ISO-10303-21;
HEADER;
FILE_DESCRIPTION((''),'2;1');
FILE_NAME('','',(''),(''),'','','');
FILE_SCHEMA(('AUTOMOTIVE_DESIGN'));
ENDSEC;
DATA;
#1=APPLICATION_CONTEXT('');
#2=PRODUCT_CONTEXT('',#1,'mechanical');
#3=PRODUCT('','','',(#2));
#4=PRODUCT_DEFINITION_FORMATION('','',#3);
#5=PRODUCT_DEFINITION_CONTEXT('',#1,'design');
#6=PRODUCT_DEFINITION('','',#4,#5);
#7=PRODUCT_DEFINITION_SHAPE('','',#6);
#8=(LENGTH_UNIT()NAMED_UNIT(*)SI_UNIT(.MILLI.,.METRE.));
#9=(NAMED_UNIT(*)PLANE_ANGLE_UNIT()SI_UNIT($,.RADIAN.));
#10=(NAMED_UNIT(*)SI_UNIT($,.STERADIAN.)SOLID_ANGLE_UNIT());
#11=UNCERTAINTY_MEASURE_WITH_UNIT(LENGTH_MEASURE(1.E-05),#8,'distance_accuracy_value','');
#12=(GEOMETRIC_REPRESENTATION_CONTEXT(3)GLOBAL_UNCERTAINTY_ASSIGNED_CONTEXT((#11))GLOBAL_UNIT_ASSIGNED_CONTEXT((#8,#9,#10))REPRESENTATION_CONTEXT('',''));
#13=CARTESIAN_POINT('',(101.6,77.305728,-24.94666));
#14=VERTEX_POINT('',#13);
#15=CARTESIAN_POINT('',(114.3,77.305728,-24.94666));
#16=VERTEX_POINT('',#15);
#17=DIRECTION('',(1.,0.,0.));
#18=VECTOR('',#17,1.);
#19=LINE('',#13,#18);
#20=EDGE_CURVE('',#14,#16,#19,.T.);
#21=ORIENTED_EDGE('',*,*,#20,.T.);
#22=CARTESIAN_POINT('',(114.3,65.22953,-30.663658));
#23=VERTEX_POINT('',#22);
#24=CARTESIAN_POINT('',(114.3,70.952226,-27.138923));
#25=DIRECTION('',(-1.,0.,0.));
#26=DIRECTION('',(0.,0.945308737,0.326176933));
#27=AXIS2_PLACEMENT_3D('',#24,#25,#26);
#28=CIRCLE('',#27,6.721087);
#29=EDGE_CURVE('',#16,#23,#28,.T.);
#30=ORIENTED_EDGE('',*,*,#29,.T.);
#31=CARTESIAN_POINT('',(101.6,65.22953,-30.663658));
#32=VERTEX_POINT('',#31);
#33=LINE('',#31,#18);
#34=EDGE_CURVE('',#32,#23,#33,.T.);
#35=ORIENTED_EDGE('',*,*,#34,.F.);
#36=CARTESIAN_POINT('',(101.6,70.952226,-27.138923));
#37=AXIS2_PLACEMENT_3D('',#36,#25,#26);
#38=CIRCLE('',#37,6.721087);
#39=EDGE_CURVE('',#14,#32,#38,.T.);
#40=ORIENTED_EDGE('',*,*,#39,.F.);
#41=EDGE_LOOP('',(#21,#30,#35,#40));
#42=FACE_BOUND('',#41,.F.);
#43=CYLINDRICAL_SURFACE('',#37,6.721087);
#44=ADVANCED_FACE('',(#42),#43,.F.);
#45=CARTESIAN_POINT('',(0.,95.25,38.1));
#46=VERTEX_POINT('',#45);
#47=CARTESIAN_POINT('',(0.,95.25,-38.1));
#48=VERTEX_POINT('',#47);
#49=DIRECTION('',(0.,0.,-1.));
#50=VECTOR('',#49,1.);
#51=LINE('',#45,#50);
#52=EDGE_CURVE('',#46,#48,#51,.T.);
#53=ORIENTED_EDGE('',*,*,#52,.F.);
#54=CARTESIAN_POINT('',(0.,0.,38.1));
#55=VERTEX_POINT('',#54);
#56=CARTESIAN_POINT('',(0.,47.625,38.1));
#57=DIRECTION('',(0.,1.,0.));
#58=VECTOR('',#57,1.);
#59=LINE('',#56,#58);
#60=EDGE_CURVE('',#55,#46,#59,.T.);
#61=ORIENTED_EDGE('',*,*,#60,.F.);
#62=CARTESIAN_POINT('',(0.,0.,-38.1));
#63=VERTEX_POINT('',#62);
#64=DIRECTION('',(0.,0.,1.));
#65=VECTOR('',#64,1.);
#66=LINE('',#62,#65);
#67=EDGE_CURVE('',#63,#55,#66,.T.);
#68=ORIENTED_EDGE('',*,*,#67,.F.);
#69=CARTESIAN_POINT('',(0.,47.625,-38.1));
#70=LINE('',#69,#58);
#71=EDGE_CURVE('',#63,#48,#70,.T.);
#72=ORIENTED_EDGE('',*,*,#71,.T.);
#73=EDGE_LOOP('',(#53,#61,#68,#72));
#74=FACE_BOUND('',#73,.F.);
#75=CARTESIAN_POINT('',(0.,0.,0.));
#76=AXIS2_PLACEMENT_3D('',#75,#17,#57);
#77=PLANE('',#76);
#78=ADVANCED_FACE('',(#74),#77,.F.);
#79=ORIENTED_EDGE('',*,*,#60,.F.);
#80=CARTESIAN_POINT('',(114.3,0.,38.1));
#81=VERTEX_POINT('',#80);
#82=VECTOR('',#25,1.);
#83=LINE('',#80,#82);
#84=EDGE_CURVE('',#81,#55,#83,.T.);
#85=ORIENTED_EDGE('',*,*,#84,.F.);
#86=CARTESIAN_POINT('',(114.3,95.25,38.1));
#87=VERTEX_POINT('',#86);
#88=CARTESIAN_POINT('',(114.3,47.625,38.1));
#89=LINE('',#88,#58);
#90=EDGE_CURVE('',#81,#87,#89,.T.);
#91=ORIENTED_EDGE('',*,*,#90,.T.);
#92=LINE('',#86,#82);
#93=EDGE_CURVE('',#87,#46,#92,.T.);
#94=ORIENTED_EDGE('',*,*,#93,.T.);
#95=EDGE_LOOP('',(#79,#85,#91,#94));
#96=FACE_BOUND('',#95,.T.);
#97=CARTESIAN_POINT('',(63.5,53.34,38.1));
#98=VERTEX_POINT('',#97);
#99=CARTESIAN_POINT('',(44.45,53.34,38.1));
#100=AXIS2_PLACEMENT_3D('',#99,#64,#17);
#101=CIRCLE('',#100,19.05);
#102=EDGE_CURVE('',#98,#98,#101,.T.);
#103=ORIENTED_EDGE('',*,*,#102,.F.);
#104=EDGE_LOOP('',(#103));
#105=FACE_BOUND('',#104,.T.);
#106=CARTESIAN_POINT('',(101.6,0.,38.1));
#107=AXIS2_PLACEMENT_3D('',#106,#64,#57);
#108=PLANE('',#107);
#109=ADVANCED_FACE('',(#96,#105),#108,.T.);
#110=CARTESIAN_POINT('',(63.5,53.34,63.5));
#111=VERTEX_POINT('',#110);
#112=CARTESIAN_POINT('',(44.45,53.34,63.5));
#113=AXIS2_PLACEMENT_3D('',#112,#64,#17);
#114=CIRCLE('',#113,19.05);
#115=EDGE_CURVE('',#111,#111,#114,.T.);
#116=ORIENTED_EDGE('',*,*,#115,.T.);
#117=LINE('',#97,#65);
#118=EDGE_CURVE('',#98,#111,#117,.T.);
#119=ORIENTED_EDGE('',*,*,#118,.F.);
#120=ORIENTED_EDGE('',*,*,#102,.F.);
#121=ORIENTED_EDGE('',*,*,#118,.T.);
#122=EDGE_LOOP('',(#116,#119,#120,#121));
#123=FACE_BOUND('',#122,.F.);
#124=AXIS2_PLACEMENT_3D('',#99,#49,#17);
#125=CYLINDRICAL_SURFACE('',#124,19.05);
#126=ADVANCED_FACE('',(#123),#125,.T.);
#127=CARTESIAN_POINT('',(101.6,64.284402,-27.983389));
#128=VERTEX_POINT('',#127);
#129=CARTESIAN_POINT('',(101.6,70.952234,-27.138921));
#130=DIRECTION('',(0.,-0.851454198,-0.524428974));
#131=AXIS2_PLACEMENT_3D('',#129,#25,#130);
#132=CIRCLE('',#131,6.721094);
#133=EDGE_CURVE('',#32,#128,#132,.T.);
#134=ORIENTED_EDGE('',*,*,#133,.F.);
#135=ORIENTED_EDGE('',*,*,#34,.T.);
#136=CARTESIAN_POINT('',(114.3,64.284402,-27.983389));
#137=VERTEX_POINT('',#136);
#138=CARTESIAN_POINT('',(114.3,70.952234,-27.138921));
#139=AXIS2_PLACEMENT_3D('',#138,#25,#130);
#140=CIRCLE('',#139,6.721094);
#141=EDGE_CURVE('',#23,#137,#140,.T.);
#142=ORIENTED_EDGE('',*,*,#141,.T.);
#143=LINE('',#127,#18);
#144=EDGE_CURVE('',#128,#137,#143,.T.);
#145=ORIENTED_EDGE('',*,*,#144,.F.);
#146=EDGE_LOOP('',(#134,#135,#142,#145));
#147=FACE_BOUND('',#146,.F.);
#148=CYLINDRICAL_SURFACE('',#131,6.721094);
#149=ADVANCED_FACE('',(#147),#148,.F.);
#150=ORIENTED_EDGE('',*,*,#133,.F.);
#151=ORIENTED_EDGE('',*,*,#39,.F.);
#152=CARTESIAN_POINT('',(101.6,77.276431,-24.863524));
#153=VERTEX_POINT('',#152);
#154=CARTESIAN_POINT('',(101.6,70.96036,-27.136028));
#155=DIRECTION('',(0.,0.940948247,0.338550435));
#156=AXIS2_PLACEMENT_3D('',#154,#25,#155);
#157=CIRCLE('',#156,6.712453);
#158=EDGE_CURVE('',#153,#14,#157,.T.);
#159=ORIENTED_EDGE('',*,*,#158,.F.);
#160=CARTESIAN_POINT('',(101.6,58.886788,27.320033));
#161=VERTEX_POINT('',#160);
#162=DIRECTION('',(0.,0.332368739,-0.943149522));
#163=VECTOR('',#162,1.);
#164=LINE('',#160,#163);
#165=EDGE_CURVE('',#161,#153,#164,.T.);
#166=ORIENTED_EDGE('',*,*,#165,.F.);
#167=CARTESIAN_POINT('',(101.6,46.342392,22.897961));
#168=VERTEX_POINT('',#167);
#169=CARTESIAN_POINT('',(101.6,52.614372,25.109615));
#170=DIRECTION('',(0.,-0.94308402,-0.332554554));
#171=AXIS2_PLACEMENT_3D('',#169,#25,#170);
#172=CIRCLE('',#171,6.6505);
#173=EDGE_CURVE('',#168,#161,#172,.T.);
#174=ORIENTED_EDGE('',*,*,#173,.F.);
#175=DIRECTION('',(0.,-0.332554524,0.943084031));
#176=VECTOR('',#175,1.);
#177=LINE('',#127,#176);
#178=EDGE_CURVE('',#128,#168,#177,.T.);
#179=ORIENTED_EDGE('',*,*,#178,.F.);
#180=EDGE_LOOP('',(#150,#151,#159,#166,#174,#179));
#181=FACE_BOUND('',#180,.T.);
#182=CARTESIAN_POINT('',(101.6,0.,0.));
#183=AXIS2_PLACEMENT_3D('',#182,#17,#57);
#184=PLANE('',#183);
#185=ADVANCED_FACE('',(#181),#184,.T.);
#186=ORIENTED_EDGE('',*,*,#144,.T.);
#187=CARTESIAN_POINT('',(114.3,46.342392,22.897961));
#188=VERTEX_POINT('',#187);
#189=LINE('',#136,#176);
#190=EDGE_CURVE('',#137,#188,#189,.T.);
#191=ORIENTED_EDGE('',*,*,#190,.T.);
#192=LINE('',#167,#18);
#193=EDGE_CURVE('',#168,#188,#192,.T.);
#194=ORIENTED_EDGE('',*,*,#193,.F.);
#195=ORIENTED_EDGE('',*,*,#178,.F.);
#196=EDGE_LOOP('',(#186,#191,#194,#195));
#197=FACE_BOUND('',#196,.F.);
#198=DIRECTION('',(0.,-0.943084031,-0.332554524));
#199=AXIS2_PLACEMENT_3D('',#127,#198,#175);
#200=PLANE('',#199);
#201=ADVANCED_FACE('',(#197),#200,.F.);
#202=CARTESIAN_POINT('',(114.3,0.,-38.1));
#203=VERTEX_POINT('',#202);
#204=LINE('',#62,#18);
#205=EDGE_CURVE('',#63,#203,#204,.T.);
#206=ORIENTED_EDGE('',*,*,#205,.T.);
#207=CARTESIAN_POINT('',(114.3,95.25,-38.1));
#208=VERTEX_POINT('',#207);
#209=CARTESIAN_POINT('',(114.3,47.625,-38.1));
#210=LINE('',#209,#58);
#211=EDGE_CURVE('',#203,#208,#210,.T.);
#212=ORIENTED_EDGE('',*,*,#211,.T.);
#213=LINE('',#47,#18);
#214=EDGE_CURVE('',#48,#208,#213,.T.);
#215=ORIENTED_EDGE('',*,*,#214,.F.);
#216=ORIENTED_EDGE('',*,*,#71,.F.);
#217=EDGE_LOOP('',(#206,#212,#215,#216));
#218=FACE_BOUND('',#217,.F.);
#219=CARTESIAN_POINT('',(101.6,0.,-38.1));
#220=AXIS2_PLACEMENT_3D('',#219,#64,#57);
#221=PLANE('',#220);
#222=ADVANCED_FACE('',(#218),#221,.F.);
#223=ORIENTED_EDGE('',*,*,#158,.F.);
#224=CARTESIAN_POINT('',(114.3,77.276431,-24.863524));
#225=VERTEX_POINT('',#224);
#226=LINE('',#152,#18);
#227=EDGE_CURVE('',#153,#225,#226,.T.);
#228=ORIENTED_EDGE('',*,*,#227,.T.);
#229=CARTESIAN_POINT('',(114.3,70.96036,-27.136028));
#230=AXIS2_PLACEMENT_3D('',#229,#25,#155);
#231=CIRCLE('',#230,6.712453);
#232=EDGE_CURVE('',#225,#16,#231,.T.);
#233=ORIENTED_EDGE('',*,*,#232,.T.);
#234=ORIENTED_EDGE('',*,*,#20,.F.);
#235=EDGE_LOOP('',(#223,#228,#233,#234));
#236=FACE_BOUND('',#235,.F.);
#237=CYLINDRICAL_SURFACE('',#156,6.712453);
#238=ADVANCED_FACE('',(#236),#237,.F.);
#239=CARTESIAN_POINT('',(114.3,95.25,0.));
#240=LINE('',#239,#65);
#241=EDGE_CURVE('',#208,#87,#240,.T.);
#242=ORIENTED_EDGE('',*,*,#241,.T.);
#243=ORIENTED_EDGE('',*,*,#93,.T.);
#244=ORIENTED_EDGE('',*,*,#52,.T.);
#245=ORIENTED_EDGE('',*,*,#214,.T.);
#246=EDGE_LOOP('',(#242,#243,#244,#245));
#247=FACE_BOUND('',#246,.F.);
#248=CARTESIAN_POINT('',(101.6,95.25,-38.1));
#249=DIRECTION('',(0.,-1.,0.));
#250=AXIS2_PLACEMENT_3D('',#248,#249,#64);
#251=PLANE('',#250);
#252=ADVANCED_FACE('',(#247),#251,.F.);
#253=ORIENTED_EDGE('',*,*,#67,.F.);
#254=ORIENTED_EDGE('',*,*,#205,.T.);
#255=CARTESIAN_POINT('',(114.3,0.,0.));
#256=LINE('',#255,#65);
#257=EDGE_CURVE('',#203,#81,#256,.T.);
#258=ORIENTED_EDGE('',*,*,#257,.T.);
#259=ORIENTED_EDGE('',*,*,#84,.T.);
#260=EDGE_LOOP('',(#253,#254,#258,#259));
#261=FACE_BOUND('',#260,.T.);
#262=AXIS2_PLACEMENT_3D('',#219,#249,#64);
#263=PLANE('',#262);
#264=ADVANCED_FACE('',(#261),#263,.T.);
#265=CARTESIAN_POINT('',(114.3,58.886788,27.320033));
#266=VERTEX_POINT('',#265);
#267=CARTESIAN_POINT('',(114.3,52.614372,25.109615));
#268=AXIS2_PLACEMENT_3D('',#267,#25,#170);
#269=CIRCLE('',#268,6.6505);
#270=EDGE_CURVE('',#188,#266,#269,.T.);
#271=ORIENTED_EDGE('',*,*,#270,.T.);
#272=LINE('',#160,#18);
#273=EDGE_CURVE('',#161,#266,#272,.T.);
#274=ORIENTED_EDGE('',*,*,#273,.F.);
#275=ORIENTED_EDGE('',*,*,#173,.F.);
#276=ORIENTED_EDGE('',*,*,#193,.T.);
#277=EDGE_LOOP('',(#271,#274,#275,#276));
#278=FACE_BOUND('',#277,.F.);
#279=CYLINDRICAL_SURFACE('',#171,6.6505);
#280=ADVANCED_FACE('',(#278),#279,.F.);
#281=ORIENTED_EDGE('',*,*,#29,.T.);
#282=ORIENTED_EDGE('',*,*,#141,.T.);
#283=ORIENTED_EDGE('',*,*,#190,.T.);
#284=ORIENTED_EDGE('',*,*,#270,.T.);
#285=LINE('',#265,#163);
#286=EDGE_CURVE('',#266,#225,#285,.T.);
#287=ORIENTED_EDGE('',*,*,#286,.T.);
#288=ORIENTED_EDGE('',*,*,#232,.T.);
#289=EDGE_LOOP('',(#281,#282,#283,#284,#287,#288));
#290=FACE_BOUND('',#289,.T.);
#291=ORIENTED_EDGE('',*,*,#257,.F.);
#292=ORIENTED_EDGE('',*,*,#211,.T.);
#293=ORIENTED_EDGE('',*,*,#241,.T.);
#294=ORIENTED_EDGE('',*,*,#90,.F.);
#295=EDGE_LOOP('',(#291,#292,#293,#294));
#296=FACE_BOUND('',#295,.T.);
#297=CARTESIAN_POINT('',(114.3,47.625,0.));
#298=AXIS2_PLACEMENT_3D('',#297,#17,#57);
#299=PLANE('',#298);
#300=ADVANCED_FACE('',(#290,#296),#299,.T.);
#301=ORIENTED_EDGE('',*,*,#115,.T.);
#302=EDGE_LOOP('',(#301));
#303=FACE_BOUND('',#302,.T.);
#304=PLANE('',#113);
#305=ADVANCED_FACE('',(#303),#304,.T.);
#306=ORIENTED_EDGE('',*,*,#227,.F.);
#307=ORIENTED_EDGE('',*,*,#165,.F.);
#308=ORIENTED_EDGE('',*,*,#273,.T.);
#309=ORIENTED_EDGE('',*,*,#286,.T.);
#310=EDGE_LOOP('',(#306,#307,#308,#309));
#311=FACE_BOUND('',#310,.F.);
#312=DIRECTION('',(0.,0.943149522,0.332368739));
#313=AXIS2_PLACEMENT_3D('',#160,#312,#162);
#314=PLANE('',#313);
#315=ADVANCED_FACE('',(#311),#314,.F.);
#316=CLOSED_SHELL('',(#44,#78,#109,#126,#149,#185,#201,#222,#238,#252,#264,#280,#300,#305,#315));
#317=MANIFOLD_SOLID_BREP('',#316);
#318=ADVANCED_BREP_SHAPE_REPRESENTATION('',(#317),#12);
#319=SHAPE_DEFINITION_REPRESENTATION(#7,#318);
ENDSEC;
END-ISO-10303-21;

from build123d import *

# Parameters (mm, degrees)
F0_W          = 101.6
F0_H          = 95.25
F1_DEPTH      = 38.1
F1_DEPTH_BACK = 38.1
F2_R          = 19.05
F3_DEPTH      = 25.4
F4_W          = 95.25
F4_H          = 76.2
F5_DEPTH      = 12.7


with BuildPart() as f1:
    # F0 (on Top) → F1 (new body, two sides)
    with BuildSketch(Plane.XY) as f1_sk:
        with Locations((50.8, 47.625)):
            Rectangle(F0_W, F0_H)
    extrude(amount=F1_DEPTH)
    extrude(f1_sk.sketch, amount=-F1_DEPTH_BACK)

    # F2 (on face) → F3 (join)
    with BuildSketch(Plane.XY.offset(38.1)):
        with Locations((44.45, 53.34)):
            Circle(F2_R)
    extrude(amount=F3_DEPTH)

    # F4 (on face) → F5 (join)
    with BuildSketch(Plane.YZ.offset(101.6)):
        with Locations((47.625, 0)):
            Rectangle(F4_W, F4_H)
        with BuildLine():
            ThreePointArc((46.342392, 22.897961), (50.403336, 31.381813), (58.886788, 27.320033))
            Line((58.886788, 27.320033), (77.276431, -24.863524))
            ThreePointArc((77.276431, -24.863524), (77.291216, -24.905044), (77.305728, -24.94666))
            ThreePointArc((77.305728, -24.94666), (73.828073, -33.213667), (65.22953, -30.663658))
            ThreePointArc((65.22953, -30.663658), (64.613677, -29.374051), (64.284402, -27.983389))
            Line((64.284402, -27.983389), (46.342392, 22.897961))
        make_face(mode=Mode.SUBTRACT)
    extrude(amount=F5_DEPTH)


solid = f1.part
